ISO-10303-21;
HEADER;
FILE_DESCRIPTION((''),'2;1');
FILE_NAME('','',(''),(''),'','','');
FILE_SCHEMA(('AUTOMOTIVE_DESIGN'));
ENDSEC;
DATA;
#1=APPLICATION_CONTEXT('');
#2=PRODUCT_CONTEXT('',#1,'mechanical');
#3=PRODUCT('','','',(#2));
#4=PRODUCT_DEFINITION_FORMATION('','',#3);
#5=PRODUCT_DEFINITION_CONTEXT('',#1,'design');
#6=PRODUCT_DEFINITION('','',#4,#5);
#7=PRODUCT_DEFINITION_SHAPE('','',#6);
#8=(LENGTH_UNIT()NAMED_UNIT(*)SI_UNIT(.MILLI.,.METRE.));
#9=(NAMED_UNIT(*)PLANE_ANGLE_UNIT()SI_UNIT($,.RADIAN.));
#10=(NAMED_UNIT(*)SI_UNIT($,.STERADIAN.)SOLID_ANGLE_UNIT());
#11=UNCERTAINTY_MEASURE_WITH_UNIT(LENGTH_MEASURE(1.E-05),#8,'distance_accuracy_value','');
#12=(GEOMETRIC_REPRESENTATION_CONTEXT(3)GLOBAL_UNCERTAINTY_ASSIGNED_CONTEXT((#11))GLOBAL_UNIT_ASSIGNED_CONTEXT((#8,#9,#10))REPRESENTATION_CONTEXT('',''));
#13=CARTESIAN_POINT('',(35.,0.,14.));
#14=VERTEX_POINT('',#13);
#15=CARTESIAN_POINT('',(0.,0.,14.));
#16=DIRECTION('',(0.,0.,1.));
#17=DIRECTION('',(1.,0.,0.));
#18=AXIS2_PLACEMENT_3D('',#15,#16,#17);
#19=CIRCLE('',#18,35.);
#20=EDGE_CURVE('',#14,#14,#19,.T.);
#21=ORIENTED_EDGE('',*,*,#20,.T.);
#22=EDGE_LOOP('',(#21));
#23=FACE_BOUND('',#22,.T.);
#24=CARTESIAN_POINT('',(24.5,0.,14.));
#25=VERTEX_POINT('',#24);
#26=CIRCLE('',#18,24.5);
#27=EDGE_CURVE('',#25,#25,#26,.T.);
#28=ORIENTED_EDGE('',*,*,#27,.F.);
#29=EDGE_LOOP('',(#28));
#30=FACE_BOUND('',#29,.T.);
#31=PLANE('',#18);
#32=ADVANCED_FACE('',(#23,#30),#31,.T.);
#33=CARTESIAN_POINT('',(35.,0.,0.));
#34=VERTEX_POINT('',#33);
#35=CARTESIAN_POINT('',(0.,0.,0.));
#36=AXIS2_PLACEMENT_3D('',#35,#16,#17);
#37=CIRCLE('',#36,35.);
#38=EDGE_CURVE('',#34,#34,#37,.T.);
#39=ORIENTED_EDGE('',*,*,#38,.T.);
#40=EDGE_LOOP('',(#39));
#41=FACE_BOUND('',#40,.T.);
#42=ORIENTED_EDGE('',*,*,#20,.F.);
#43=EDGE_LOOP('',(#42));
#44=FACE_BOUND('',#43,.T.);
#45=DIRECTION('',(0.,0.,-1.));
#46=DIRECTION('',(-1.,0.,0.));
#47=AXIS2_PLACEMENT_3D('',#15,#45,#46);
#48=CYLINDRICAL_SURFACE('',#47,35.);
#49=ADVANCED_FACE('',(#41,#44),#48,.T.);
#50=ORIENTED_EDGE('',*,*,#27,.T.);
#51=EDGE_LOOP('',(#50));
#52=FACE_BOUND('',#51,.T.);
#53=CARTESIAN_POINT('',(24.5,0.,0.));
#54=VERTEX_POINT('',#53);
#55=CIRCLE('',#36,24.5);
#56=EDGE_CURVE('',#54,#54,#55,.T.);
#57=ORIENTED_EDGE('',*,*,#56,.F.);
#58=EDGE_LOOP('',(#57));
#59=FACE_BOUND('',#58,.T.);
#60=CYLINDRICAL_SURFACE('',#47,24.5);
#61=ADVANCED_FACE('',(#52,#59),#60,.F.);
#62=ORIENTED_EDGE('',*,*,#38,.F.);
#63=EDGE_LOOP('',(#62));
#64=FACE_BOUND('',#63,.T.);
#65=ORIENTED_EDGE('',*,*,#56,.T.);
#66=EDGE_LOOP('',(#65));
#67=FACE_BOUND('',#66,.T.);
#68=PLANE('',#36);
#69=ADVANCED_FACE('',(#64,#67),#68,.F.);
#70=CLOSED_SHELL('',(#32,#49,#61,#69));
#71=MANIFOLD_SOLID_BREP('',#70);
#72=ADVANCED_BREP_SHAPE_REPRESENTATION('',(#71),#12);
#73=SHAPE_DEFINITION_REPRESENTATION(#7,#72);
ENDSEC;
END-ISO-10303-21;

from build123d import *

# Parameters (mm, degrees)
CROQUIS4_R              = 35
SALIENTE_EXTRUIR2_DEPTH = 14
CROQUIS5_R              = 24.5
CORTAR_EXTRUIR2_DEPTH   = 14


with BuildPart() as part:
    # Croquis4 → Saliente-Extruir2 (new body)
    with BuildSketch(Plane.XY):
        Circle(CROQUIS4_R)
    extrude(amount=SALIENTE_EXTRUIR2_DEPTH)

    # Croquis5 → Cortar-Extruir2 (cut)
    with BuildSketch(Plane.XY):
        Circle(CROQUIS5_R)
    extrude(amount=CORTAR_EXTRUIR2_DEPTH, mode=Mode.SUBTRACT)


solid = part.part
